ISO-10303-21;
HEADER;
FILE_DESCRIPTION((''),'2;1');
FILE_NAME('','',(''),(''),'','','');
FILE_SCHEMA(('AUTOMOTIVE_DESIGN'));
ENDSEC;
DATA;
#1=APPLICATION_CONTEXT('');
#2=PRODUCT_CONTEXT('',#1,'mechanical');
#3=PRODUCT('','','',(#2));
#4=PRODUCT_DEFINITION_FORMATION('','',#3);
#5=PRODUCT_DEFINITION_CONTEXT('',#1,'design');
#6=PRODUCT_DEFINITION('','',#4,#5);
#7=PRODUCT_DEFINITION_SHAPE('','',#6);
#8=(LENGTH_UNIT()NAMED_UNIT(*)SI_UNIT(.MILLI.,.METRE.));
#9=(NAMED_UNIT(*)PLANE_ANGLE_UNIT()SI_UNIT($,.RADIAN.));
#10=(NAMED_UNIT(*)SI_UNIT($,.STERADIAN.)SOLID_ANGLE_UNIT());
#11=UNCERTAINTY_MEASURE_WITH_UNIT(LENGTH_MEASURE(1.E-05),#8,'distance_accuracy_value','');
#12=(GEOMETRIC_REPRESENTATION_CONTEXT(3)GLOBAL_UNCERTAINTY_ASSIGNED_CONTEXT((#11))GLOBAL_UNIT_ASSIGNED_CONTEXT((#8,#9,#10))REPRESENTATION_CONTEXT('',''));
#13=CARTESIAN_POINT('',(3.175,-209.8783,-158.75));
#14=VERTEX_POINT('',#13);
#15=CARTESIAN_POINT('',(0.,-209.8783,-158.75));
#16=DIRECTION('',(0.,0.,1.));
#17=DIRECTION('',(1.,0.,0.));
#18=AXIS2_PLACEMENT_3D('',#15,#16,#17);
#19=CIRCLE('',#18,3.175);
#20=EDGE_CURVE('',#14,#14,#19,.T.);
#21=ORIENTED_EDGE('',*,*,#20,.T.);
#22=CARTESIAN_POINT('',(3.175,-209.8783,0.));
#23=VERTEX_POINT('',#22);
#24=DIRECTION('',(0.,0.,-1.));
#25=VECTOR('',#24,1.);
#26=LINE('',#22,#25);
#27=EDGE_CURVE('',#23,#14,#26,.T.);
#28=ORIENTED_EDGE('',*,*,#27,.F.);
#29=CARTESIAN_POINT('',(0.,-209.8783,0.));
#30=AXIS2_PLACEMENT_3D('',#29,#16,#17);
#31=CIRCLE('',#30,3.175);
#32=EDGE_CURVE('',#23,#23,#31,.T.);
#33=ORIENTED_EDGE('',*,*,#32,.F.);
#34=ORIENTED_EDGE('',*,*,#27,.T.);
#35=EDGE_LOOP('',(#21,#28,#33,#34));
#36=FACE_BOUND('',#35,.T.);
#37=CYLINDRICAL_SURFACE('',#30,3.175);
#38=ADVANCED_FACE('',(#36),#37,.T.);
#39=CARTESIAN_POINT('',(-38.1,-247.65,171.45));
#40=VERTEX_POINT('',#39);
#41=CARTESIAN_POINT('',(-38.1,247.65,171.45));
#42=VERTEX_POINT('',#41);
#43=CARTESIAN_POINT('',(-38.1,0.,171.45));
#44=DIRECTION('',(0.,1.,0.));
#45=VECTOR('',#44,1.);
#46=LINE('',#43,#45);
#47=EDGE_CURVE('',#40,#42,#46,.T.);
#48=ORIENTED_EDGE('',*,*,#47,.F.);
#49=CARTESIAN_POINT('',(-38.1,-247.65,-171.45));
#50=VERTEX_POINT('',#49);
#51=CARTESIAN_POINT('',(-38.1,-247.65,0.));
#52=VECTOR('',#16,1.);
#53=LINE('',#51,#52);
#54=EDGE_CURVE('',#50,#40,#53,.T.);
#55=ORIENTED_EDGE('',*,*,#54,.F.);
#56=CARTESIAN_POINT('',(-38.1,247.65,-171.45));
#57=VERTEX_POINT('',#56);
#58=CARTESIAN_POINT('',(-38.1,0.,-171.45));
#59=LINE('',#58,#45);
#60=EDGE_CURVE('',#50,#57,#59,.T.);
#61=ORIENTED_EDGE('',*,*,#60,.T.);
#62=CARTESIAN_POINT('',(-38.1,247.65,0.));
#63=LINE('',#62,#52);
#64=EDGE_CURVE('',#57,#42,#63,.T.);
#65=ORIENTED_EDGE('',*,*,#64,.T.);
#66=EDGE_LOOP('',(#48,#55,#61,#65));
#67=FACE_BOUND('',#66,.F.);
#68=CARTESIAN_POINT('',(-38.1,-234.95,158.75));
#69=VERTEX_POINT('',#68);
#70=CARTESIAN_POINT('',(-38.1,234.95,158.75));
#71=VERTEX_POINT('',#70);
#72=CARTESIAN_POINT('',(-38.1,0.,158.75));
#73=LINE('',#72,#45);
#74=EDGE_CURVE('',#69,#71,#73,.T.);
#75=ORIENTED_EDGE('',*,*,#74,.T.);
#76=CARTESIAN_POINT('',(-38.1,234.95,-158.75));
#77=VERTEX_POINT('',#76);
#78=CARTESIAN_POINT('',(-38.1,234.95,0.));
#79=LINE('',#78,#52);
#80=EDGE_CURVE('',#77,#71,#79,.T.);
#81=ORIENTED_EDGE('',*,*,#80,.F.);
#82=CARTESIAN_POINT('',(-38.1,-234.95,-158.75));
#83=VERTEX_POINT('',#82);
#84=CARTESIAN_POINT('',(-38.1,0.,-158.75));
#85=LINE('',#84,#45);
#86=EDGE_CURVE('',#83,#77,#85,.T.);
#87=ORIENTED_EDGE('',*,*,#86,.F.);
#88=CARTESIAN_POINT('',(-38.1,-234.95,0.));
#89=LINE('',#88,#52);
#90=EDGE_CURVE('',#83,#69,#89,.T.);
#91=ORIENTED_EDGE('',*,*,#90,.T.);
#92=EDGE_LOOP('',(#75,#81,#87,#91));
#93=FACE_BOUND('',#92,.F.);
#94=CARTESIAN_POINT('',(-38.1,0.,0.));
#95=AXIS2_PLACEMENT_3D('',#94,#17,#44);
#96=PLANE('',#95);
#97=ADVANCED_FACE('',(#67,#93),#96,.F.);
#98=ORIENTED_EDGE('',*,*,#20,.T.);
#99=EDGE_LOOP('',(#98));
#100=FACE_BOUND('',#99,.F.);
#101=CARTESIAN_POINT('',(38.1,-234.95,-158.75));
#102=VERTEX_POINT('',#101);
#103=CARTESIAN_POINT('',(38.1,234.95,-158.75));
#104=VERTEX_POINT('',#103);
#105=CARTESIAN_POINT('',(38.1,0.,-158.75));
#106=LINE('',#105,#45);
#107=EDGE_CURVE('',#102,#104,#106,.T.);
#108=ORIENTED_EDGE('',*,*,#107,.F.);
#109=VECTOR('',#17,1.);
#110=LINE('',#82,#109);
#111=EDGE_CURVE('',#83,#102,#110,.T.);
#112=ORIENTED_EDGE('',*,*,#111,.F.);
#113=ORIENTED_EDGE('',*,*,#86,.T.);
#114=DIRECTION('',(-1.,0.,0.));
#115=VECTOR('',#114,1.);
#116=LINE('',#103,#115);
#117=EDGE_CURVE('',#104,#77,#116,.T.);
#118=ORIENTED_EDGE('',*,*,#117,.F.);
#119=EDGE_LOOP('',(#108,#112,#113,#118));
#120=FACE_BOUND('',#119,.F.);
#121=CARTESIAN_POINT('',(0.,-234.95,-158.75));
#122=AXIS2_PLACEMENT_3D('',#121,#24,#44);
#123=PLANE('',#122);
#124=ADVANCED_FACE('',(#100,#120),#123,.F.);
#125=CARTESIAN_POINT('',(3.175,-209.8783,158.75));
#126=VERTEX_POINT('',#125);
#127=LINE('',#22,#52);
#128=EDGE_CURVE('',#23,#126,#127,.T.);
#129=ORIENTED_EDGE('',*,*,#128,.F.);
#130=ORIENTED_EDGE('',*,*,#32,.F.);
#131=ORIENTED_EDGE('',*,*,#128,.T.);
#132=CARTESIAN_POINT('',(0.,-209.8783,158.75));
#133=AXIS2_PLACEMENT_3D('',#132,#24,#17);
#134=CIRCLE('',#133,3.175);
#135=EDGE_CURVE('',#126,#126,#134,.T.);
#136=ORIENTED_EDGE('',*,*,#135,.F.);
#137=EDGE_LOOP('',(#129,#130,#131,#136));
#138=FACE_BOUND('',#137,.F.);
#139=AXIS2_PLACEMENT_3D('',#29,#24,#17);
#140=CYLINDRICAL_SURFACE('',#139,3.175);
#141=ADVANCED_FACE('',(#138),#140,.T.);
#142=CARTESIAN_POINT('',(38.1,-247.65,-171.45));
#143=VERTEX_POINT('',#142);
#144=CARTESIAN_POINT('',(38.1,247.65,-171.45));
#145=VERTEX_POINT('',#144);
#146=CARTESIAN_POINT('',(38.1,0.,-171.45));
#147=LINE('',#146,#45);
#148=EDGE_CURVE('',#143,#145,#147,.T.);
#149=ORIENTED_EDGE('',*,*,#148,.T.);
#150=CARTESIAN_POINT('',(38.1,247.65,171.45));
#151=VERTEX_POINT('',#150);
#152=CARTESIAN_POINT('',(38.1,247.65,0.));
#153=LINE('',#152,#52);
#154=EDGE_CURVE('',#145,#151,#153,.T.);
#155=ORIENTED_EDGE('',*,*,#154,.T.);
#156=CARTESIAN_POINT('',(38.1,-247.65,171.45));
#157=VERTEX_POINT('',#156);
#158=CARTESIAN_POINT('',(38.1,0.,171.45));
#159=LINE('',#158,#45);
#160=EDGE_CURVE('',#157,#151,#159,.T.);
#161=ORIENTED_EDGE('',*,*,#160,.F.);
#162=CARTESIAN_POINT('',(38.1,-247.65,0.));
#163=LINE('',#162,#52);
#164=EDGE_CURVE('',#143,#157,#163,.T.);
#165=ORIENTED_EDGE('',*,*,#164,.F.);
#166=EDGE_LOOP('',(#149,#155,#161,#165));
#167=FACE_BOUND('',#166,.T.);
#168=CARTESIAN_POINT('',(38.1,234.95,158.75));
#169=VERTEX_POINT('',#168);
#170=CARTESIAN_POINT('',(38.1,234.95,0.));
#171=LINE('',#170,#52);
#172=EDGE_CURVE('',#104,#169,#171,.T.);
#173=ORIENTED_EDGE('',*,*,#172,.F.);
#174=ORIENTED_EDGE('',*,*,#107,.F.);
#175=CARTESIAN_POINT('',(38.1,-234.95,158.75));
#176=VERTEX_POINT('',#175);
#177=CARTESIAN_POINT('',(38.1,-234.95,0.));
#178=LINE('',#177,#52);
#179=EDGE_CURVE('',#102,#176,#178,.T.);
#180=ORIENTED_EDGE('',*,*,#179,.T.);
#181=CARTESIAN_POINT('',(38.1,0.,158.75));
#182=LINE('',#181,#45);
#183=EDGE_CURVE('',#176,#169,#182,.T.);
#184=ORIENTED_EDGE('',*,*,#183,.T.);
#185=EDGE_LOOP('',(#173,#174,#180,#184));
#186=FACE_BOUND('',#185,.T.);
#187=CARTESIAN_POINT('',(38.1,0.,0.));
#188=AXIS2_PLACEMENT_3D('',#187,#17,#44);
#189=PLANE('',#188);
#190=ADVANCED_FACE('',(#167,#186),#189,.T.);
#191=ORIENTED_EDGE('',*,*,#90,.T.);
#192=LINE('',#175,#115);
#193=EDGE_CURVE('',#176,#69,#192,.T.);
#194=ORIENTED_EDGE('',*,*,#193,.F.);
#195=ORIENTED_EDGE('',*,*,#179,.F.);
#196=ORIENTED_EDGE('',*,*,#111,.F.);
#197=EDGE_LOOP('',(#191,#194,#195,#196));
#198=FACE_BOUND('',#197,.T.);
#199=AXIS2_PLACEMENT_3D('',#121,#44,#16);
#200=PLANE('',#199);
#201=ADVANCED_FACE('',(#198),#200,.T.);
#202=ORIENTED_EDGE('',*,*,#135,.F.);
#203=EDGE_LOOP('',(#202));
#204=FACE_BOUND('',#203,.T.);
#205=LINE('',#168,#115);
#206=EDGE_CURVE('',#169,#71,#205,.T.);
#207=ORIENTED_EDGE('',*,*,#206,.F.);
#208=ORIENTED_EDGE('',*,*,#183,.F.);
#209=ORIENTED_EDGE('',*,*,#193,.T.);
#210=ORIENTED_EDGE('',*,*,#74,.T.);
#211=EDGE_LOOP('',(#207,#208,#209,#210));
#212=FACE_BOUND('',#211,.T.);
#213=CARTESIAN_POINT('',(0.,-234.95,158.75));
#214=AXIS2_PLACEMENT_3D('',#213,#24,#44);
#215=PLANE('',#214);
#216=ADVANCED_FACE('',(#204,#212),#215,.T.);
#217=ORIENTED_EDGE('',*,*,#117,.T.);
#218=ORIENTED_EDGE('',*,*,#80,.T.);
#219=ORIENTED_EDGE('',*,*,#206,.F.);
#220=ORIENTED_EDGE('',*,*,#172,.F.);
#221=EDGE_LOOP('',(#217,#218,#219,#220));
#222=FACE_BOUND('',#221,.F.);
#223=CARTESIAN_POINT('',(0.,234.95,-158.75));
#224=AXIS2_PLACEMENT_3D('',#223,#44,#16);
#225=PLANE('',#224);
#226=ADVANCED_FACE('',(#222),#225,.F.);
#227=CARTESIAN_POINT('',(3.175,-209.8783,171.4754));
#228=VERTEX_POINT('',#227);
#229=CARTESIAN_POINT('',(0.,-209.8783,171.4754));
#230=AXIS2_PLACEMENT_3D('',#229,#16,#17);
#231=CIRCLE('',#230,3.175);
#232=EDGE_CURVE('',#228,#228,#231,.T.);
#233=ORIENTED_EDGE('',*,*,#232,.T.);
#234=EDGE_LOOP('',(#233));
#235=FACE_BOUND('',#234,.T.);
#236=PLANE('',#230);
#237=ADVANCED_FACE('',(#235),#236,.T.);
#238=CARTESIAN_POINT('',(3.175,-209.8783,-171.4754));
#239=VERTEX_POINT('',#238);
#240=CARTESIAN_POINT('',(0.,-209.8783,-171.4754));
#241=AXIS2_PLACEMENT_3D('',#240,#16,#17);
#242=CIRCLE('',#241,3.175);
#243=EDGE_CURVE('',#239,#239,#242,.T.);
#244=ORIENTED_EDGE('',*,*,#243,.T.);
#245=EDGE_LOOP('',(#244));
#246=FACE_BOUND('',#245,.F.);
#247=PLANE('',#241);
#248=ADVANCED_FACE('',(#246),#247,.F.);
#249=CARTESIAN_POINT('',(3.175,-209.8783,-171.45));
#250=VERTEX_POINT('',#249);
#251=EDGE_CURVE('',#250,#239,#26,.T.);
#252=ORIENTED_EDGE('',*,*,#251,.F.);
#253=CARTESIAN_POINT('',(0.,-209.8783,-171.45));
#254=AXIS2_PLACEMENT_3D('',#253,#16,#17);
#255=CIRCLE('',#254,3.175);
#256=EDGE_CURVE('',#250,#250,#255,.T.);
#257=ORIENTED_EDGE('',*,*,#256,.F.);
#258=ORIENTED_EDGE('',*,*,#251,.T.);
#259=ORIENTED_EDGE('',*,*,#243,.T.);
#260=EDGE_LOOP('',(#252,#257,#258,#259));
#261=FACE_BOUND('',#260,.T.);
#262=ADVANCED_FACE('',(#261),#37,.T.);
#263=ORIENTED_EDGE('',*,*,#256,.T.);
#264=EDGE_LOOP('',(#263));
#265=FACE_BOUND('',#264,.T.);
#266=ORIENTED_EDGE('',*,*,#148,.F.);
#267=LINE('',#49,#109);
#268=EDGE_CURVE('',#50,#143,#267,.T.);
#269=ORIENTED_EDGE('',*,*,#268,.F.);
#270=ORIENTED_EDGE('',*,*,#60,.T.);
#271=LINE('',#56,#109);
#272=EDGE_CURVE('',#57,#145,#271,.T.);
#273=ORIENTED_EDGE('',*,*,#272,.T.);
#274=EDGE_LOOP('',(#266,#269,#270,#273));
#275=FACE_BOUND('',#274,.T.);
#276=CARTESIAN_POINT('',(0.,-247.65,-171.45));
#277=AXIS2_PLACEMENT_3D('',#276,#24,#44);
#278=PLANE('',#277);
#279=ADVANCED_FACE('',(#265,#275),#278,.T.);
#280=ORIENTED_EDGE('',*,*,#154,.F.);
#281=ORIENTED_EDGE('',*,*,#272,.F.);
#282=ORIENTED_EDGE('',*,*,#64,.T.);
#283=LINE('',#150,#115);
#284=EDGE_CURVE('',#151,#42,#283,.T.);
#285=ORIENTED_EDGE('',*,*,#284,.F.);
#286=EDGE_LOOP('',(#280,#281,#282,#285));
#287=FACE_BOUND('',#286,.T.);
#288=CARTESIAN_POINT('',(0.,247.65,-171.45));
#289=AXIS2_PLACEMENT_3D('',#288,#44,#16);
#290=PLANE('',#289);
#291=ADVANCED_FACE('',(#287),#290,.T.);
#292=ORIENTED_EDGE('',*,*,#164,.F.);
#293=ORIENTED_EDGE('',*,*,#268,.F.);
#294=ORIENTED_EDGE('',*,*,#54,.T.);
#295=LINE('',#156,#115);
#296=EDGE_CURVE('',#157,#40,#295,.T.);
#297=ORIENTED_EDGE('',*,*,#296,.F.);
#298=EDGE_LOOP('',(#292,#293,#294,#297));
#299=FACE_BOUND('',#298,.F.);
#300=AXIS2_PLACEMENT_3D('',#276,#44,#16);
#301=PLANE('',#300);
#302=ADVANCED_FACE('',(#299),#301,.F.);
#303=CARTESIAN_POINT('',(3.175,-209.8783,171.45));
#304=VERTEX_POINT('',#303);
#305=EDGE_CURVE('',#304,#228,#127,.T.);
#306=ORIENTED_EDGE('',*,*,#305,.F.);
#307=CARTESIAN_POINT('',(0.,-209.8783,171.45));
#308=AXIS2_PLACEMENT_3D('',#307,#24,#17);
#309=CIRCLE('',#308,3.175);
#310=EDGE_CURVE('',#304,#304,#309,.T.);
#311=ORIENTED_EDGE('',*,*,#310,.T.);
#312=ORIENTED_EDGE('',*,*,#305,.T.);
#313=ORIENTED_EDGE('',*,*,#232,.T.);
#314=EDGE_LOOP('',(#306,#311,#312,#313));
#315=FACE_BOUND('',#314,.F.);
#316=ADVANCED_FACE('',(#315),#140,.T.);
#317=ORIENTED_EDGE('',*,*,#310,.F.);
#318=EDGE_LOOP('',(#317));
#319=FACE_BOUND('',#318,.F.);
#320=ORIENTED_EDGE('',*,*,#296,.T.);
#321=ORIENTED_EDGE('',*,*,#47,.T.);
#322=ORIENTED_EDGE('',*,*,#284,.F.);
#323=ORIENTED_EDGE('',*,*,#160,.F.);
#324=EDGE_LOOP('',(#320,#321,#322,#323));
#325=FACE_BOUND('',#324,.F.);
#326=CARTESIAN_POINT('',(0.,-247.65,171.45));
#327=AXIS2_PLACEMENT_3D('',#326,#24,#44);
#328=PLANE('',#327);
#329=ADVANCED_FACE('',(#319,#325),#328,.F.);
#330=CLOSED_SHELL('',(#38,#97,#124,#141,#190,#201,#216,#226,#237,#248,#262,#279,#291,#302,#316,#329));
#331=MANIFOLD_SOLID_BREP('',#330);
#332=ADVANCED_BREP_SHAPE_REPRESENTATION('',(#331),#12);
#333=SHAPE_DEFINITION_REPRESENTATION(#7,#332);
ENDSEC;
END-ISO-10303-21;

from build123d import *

# Parameters (mm, degrees)
F0_W          = 495.3
F0_H          = 342.9
F0_W_2        = 469.9
F0_H_2        = 317.5
F1_DEPTH      = 38.1
F2_R          = 3.175
F3_DEPTH      = 171.4754
F3_DEPTH_BACK = 171.4754


with BuildPart() as f1:
    # F0 (on Right) → F1 (new body, symmetric)
    with BuildSketch(Plane.YZ):
        Rectangle(F0_W, F0_H)
        Rectangle(F0_W_2, F0_H_2, mode=Mode.SUBTRACT)
    extrude(amount=F1_DEPTH, both=True)

    # F2 (on Top) → F3 (join, two sides)
    with BuildSketch(Plane.XY) as f3_sk:
        with Locations((0, -209.8783)):
            Circle(F2_R)
    extrude(amount=F3_DEPTH)
    extrude(f3_sk.sketch, amount=-F3_DEPTH_BACK)


solid = f1.part
